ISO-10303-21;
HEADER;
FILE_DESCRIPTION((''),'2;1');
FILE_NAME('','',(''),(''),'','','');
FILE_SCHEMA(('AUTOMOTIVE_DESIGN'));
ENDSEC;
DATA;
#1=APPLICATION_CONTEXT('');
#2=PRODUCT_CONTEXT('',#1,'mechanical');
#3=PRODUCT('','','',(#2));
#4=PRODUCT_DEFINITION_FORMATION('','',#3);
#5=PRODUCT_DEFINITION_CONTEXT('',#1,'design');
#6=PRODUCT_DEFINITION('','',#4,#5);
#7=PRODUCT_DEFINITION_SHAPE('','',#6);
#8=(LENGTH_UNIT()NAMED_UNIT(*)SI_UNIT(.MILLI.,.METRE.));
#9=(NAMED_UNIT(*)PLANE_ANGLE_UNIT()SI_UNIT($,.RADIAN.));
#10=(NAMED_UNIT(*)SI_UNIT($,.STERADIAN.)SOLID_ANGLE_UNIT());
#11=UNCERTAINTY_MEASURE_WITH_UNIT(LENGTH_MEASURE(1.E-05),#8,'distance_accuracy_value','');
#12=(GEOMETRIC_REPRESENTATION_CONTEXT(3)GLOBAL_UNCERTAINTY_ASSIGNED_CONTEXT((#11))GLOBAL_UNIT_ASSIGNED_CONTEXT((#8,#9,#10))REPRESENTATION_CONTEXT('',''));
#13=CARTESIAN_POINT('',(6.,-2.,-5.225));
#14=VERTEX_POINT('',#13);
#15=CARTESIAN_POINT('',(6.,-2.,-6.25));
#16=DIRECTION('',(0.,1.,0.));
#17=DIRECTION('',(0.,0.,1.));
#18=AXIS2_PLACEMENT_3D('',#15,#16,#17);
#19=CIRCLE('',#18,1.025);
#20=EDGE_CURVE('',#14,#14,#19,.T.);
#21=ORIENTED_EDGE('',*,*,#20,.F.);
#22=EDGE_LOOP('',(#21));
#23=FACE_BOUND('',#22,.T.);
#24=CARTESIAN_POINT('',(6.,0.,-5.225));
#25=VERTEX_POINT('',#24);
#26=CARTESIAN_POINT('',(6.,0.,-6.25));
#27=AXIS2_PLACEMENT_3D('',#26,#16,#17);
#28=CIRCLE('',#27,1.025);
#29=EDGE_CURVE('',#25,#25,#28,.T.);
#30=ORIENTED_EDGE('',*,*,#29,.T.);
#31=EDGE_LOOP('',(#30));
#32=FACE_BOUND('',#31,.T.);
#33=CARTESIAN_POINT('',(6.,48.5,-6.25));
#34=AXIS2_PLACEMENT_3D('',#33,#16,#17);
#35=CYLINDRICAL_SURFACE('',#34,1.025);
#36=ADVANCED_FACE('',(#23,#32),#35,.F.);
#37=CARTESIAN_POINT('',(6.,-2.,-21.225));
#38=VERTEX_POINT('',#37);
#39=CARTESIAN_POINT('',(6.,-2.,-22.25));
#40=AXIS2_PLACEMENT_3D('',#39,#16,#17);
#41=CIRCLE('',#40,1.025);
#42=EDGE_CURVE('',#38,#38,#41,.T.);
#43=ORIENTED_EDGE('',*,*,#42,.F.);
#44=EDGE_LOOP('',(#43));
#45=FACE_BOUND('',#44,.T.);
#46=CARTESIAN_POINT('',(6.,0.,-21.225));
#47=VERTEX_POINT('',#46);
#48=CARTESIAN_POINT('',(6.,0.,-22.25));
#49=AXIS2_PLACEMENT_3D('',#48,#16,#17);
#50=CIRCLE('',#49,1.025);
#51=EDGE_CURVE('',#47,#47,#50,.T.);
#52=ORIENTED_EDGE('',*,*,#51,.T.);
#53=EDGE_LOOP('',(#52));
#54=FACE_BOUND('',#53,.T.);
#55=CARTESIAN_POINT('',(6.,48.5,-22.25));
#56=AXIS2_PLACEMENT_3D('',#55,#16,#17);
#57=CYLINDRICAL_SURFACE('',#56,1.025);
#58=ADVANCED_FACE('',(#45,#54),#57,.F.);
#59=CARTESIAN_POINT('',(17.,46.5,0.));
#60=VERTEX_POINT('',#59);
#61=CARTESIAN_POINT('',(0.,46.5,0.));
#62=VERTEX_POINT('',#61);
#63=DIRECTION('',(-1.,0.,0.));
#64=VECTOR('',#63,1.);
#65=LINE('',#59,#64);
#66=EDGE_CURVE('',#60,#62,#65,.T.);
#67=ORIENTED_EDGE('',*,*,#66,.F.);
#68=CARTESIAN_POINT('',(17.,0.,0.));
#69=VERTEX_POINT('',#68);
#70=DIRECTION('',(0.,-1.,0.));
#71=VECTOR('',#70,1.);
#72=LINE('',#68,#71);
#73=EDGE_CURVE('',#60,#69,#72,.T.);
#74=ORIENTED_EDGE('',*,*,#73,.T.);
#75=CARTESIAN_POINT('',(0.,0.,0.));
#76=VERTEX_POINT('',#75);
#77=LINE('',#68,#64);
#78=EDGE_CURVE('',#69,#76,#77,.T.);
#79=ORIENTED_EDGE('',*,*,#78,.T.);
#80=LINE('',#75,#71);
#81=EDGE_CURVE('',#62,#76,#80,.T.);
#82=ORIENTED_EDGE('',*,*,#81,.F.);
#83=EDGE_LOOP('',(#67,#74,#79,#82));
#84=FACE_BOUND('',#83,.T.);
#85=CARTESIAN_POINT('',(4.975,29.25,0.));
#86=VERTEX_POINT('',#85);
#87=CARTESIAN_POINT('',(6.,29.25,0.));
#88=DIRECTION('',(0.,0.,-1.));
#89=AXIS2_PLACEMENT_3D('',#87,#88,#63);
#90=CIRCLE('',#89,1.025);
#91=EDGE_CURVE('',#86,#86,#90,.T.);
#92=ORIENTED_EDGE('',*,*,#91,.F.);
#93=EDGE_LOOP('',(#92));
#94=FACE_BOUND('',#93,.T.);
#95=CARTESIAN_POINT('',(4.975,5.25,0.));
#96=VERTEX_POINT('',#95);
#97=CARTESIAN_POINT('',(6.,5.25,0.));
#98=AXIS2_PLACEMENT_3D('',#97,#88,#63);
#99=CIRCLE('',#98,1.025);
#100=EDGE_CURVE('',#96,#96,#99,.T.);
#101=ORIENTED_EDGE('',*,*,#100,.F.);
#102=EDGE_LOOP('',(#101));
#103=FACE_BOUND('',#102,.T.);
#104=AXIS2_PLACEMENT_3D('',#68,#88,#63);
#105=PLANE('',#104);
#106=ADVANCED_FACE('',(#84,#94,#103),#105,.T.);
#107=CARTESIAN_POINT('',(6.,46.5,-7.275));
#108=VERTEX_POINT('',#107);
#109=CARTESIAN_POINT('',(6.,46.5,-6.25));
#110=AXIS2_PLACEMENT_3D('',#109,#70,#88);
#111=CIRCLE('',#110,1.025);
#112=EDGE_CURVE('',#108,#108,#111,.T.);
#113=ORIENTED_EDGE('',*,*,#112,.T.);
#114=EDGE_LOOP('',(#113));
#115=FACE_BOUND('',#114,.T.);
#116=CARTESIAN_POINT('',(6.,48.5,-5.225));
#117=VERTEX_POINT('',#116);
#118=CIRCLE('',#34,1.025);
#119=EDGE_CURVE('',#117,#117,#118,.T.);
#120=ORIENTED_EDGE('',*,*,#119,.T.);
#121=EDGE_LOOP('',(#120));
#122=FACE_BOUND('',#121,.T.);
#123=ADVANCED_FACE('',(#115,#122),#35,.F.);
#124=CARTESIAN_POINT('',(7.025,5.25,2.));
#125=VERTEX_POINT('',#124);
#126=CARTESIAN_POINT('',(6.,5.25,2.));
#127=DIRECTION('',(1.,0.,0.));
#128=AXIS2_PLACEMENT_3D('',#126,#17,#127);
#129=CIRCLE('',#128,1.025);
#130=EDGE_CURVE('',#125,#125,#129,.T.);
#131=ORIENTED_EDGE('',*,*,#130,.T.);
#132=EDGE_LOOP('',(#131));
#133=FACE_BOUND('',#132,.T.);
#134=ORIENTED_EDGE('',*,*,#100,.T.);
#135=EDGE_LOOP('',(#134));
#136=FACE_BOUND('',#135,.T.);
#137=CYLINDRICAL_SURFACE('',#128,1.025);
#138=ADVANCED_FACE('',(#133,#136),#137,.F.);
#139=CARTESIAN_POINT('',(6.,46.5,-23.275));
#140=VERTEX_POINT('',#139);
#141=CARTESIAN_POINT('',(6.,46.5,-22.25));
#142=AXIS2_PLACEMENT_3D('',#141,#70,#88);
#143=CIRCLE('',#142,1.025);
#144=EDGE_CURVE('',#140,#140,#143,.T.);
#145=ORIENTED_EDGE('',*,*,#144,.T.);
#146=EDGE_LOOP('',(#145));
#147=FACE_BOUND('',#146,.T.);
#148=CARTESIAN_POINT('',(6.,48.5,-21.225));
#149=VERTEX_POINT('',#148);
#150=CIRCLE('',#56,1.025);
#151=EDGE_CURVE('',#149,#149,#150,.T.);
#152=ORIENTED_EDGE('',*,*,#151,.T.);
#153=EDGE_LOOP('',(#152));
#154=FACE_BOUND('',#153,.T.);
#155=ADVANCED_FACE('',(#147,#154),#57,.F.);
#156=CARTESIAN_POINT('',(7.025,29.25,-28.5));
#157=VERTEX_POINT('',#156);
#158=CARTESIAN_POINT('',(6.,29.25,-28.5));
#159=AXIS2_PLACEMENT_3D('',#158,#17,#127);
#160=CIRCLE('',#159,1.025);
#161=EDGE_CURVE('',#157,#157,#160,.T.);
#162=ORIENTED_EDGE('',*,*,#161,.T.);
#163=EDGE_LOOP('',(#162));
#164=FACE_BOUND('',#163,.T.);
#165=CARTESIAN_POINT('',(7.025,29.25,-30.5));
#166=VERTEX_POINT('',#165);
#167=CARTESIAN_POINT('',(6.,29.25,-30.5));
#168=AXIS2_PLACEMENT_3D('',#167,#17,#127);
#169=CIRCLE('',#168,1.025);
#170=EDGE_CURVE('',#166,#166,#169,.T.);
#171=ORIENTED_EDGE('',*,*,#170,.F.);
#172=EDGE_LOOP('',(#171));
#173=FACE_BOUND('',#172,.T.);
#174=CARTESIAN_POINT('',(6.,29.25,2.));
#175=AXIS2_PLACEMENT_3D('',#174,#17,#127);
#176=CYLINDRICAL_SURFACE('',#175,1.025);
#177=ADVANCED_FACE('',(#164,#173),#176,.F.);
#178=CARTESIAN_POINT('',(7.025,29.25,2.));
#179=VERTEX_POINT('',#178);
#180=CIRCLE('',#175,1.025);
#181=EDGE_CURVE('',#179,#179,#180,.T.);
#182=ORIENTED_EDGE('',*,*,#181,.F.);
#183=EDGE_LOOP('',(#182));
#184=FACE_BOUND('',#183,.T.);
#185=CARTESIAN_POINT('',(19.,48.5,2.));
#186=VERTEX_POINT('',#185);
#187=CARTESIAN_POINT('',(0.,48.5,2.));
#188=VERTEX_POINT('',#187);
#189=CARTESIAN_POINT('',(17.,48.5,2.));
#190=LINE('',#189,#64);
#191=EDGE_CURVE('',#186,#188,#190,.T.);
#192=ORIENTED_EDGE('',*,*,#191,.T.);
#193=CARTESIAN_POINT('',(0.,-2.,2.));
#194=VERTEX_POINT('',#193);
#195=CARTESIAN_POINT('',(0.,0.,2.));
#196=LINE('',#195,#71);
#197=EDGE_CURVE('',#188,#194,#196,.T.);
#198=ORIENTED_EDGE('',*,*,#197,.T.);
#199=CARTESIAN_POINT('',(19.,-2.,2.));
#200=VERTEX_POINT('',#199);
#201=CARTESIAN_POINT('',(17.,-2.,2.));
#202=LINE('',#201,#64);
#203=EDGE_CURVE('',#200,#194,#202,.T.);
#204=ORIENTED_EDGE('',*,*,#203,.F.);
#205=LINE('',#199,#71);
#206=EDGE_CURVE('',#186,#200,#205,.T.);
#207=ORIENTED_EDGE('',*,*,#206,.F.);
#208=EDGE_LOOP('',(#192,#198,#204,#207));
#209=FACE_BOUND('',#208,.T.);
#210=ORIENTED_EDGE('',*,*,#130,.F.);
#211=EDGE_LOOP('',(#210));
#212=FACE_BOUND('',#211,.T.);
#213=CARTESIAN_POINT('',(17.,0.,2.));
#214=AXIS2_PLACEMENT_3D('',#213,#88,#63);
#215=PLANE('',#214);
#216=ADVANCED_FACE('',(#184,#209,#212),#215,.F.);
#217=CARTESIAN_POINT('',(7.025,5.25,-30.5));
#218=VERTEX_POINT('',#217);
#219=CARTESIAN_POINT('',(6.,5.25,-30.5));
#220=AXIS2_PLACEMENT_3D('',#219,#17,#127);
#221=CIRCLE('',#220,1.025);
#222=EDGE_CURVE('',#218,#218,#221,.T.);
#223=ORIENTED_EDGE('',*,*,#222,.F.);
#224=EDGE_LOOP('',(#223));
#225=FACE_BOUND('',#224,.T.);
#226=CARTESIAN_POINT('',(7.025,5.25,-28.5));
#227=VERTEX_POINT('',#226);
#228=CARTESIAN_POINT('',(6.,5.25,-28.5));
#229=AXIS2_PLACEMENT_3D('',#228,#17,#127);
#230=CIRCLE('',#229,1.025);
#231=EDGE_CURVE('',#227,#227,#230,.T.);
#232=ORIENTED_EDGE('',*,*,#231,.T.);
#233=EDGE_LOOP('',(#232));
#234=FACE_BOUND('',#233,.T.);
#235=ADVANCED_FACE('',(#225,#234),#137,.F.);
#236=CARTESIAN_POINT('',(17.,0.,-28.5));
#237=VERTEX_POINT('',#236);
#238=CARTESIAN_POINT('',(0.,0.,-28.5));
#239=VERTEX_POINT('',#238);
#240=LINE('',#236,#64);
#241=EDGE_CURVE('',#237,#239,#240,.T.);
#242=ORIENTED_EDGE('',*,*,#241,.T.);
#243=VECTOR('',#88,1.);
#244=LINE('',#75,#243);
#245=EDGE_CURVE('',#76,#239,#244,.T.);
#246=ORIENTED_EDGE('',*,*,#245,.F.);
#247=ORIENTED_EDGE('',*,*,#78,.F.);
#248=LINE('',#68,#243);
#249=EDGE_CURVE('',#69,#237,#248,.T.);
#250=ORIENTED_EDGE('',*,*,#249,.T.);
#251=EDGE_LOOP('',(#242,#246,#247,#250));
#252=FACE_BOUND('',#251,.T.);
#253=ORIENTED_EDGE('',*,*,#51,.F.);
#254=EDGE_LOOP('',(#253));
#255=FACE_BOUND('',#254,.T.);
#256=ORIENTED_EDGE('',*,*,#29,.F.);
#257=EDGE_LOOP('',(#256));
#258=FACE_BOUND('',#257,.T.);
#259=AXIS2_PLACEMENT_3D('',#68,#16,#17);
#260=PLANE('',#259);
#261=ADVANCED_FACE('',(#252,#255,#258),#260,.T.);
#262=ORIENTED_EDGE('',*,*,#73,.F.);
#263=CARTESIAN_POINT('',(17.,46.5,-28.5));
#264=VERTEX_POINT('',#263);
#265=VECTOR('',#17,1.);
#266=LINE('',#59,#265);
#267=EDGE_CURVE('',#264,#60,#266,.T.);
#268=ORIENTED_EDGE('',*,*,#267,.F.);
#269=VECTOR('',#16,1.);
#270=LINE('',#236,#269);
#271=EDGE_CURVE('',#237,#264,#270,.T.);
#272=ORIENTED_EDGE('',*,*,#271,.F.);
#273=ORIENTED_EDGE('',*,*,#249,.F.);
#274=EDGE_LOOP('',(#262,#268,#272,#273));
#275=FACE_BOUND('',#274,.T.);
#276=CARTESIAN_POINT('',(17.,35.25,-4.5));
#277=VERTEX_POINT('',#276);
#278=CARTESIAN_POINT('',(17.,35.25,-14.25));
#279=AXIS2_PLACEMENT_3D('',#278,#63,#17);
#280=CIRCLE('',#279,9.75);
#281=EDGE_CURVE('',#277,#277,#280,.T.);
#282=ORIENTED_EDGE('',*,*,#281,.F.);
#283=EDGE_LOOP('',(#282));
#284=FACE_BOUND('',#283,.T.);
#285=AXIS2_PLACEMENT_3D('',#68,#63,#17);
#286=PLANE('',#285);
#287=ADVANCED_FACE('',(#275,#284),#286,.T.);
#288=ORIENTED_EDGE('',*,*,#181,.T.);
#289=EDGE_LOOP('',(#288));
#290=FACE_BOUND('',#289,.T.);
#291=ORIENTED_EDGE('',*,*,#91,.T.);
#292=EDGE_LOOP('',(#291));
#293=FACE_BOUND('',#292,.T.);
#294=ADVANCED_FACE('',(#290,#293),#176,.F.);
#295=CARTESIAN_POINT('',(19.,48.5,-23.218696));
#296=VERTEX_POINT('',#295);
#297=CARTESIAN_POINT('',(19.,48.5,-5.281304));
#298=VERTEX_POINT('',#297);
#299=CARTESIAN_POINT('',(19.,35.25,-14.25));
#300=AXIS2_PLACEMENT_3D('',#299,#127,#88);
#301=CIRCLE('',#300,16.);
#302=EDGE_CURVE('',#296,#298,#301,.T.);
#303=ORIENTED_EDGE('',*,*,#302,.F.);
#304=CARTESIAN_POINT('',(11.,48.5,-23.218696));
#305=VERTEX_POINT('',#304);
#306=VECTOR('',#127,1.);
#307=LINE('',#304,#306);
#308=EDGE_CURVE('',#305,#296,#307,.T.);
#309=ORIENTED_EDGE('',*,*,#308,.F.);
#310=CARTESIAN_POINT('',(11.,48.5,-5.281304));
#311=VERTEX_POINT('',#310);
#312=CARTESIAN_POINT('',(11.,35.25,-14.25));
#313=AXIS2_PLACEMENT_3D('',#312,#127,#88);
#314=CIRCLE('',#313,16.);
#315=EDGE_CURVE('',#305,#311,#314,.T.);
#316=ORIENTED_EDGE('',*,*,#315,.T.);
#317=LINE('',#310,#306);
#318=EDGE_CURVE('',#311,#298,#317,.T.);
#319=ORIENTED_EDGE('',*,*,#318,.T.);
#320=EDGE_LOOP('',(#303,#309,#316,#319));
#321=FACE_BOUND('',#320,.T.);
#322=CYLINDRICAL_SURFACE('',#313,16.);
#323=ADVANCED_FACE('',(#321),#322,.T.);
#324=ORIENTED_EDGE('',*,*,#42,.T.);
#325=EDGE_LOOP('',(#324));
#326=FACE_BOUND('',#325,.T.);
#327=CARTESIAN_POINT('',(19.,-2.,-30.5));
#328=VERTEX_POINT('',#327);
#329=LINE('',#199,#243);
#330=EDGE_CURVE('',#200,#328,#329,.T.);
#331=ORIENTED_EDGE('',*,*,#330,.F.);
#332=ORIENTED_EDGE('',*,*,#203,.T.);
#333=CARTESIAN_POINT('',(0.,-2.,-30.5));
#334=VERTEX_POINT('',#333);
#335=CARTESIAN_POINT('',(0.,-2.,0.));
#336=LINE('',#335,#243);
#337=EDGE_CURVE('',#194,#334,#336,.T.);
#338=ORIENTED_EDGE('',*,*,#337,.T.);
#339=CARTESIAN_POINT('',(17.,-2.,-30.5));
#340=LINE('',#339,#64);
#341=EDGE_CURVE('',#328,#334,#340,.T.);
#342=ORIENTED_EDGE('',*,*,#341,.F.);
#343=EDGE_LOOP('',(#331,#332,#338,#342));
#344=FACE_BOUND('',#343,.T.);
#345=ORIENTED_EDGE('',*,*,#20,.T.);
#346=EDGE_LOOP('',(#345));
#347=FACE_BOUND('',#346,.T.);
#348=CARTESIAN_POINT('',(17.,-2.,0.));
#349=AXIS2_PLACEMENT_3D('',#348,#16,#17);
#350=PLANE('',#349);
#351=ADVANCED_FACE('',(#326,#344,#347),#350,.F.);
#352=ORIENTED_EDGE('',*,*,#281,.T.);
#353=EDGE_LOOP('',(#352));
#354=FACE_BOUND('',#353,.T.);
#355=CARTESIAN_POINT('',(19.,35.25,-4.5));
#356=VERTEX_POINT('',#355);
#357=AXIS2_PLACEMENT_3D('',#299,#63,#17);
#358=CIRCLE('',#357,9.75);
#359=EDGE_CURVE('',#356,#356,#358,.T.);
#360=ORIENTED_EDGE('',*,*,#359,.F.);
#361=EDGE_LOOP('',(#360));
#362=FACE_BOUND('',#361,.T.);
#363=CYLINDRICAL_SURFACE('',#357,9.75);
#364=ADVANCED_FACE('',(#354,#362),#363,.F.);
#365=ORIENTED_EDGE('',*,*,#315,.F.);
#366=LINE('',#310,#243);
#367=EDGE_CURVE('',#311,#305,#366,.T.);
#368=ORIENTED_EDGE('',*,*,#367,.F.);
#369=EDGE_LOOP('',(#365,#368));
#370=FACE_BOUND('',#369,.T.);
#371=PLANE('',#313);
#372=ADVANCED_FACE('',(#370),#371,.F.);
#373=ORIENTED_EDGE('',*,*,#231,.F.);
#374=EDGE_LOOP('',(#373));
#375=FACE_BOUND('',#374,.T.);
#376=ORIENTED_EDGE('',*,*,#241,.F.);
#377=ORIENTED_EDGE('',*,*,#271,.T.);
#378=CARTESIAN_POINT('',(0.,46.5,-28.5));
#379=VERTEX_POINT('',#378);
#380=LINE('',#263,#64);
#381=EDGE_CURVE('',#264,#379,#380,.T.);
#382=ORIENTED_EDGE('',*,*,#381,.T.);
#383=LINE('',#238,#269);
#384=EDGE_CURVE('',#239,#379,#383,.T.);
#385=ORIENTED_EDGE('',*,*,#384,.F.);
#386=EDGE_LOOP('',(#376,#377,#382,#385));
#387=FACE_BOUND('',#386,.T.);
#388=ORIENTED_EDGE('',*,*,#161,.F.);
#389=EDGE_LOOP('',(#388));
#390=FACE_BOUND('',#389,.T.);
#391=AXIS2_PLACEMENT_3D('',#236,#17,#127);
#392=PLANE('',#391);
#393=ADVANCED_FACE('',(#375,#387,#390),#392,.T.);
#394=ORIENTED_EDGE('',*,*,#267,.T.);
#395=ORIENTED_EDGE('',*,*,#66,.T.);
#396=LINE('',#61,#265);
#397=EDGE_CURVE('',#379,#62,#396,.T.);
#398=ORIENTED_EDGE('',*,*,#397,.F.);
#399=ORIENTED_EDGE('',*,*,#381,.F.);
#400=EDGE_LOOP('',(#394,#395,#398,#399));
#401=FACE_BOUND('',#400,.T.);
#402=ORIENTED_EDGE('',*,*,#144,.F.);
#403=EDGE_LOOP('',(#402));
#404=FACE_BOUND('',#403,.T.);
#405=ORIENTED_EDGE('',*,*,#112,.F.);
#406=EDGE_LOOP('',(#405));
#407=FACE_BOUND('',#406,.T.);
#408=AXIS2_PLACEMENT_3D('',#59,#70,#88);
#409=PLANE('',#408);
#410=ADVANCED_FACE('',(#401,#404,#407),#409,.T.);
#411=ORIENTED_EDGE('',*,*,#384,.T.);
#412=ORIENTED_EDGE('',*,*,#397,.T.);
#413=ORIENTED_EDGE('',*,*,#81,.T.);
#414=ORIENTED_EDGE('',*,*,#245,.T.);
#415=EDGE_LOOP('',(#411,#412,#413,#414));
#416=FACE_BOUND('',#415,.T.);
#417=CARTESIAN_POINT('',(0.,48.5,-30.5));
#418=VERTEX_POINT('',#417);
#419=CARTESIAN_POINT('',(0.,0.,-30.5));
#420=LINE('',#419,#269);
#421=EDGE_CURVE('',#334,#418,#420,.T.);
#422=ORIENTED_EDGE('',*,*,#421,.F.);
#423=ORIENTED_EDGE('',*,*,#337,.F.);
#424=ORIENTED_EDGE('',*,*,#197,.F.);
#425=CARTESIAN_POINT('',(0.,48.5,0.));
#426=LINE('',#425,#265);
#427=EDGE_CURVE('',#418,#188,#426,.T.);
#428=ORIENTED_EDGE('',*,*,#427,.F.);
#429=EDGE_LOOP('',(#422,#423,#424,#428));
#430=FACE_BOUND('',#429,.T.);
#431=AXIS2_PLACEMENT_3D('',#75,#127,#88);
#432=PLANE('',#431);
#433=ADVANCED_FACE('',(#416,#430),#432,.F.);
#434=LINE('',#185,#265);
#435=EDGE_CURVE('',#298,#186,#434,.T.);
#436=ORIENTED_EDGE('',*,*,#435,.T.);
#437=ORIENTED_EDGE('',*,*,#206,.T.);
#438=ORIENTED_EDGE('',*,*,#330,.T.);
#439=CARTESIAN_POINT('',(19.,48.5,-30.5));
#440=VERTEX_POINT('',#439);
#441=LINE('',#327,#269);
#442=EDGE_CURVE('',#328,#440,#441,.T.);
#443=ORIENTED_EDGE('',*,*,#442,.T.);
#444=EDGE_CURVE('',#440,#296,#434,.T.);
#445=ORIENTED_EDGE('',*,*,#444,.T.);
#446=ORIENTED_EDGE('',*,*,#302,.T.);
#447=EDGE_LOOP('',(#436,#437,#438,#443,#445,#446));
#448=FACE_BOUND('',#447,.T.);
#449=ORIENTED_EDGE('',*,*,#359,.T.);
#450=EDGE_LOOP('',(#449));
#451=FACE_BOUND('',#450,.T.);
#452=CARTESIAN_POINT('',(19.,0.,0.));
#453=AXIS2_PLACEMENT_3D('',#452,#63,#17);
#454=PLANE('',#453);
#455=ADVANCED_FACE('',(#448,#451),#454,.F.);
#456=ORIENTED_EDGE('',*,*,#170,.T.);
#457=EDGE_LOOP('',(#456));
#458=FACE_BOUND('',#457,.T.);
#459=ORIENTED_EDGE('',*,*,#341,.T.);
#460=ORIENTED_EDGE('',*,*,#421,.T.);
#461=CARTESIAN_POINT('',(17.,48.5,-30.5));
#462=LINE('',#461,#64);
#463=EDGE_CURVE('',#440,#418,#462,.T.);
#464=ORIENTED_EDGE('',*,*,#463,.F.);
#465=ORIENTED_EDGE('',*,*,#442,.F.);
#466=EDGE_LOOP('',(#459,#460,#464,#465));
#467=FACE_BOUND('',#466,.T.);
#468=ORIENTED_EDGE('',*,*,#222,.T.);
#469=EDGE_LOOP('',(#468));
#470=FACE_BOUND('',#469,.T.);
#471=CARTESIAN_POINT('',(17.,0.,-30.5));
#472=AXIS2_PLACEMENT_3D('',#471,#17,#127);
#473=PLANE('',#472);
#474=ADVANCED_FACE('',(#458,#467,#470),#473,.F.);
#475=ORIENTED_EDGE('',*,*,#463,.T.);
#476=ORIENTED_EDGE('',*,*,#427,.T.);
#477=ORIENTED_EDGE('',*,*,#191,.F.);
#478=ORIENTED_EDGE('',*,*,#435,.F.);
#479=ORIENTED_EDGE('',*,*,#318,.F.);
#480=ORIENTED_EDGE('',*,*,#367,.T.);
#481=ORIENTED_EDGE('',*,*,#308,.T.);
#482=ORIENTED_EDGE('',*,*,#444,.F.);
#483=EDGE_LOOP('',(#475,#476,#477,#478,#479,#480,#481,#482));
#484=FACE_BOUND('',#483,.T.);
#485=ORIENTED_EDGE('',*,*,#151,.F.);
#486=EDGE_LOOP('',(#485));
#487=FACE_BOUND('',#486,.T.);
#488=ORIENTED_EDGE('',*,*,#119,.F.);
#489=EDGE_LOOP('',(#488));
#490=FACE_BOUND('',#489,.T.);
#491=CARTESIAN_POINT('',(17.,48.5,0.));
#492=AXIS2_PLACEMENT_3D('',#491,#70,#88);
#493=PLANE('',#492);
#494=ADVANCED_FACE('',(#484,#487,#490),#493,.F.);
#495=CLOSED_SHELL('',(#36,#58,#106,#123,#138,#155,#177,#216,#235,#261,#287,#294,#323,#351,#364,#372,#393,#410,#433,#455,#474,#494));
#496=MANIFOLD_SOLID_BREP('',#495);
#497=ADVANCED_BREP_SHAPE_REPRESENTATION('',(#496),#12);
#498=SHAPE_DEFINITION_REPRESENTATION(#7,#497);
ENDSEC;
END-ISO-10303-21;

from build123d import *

# Parameters (mm, degrees)
SKETCH1_W                 = 32.5
SKETCH1_H                 = 50.5
SKETCH1_W_2               = 28.5
SKETCH1_H_2               = 46.5
EXTRUDE_THIN1_DEPTH       = 17
TAP_DRILL_FOR_M2_5_TAP1_D = 2.05
TAP_DRILL_FOR_M2_5_TAP2_D = 2.05
SKETCH7_W                 = 32.5
SKETCH7_H                 = 50.5
BOSS_EXTRUDE1_DEPTH       = 2
SKETCH9_R                 = 9.75
CUT_EXTRUDE1_DEPTH        = 2
BOSS_EXTRUDE2_DEPTH       = 8


with BuildPart() as part:
    # Sketch1 → Extrude-Thin1 (new body)
    with BuildSketch(Plane(origin=(0, 0, 0), x_dir=(0, 0, -1), z_dir=(1, 0, 0))):
        with Locations((14.25, 23.25)):
            Rectangle(SKETCH1_W, SKETCH1_H)
        with Locations((14.25, 23.25)):
            Rectangle(SKETCH1_W_2, SKETCH1_H_2, mode=Mode.SUBTRACT)
    extrude(amount=EXTRUDE_THIN1_DEPTH)

    # Tap Drill for M2.5 Tap1 (through all)
    with Locations(Plane(origin=(6, 29.25, 2), x_dir=(1, 0, 0), z_dir=(0, 0, 1))):
        with Locations((0, 0), (0, -24)):
            Hole(TAP_DRILL_FOR_M2_5_TAP1_D / 2)

    # Tap Drill for M2.5 Tap2 (through all)
    with Locations(Plane(origin=(6, 48.5, -6.25), x_dir=(0, 0, 1), z_dir=(0, 1, 0))):
        with Locations((0, 0), (-16, 0)):
            Hole(TAP_DRILL_FOR_M2_5_TAP2_D / 2)

    # Sketch7 → Boss-Extrude1 (add)
    with BuildSketch(Plane(origin=(17, 0, 0), x_dir=(0, 0, -1), z_dir=(1, 0, 0))):
        with Locations((14.25, 23.25)):
            Rectangle(SKETCH7_W, SKETCH7_H)
    extrude(amount=BOSS_EXTRUDE1_DEPTH)

    # Sketch9 → Cut-Extrude1 (cut)
    with BuildSketch(Plane.ZY.offset(-17)):
        with Locations((-14.25, 35.25)):
            Circle(SKETCH9_R)
    extrude(amount=-CUT_EXTRUDE1_DEPTH, mode=Mode.SUBTRACT)

    # Sketch10 → Boss-Extrude2 (add)
    with BuildSketch(Plane(origin=(19, 0, 0), x_dir=(0, 0, -1), z_dir=(1, 0, 0))):
        with BuildLine():
            Line((5.281304443, 48.5), (23.218695557, 48.5))
            ThreePointArc((23.218695557, 48.5), (14.25, 51.25), (5.281304443, 48.5))
        make_face()
    extrude(amount=-BOSS_EXTRUDE2_DEPTH)


solid = part.part
